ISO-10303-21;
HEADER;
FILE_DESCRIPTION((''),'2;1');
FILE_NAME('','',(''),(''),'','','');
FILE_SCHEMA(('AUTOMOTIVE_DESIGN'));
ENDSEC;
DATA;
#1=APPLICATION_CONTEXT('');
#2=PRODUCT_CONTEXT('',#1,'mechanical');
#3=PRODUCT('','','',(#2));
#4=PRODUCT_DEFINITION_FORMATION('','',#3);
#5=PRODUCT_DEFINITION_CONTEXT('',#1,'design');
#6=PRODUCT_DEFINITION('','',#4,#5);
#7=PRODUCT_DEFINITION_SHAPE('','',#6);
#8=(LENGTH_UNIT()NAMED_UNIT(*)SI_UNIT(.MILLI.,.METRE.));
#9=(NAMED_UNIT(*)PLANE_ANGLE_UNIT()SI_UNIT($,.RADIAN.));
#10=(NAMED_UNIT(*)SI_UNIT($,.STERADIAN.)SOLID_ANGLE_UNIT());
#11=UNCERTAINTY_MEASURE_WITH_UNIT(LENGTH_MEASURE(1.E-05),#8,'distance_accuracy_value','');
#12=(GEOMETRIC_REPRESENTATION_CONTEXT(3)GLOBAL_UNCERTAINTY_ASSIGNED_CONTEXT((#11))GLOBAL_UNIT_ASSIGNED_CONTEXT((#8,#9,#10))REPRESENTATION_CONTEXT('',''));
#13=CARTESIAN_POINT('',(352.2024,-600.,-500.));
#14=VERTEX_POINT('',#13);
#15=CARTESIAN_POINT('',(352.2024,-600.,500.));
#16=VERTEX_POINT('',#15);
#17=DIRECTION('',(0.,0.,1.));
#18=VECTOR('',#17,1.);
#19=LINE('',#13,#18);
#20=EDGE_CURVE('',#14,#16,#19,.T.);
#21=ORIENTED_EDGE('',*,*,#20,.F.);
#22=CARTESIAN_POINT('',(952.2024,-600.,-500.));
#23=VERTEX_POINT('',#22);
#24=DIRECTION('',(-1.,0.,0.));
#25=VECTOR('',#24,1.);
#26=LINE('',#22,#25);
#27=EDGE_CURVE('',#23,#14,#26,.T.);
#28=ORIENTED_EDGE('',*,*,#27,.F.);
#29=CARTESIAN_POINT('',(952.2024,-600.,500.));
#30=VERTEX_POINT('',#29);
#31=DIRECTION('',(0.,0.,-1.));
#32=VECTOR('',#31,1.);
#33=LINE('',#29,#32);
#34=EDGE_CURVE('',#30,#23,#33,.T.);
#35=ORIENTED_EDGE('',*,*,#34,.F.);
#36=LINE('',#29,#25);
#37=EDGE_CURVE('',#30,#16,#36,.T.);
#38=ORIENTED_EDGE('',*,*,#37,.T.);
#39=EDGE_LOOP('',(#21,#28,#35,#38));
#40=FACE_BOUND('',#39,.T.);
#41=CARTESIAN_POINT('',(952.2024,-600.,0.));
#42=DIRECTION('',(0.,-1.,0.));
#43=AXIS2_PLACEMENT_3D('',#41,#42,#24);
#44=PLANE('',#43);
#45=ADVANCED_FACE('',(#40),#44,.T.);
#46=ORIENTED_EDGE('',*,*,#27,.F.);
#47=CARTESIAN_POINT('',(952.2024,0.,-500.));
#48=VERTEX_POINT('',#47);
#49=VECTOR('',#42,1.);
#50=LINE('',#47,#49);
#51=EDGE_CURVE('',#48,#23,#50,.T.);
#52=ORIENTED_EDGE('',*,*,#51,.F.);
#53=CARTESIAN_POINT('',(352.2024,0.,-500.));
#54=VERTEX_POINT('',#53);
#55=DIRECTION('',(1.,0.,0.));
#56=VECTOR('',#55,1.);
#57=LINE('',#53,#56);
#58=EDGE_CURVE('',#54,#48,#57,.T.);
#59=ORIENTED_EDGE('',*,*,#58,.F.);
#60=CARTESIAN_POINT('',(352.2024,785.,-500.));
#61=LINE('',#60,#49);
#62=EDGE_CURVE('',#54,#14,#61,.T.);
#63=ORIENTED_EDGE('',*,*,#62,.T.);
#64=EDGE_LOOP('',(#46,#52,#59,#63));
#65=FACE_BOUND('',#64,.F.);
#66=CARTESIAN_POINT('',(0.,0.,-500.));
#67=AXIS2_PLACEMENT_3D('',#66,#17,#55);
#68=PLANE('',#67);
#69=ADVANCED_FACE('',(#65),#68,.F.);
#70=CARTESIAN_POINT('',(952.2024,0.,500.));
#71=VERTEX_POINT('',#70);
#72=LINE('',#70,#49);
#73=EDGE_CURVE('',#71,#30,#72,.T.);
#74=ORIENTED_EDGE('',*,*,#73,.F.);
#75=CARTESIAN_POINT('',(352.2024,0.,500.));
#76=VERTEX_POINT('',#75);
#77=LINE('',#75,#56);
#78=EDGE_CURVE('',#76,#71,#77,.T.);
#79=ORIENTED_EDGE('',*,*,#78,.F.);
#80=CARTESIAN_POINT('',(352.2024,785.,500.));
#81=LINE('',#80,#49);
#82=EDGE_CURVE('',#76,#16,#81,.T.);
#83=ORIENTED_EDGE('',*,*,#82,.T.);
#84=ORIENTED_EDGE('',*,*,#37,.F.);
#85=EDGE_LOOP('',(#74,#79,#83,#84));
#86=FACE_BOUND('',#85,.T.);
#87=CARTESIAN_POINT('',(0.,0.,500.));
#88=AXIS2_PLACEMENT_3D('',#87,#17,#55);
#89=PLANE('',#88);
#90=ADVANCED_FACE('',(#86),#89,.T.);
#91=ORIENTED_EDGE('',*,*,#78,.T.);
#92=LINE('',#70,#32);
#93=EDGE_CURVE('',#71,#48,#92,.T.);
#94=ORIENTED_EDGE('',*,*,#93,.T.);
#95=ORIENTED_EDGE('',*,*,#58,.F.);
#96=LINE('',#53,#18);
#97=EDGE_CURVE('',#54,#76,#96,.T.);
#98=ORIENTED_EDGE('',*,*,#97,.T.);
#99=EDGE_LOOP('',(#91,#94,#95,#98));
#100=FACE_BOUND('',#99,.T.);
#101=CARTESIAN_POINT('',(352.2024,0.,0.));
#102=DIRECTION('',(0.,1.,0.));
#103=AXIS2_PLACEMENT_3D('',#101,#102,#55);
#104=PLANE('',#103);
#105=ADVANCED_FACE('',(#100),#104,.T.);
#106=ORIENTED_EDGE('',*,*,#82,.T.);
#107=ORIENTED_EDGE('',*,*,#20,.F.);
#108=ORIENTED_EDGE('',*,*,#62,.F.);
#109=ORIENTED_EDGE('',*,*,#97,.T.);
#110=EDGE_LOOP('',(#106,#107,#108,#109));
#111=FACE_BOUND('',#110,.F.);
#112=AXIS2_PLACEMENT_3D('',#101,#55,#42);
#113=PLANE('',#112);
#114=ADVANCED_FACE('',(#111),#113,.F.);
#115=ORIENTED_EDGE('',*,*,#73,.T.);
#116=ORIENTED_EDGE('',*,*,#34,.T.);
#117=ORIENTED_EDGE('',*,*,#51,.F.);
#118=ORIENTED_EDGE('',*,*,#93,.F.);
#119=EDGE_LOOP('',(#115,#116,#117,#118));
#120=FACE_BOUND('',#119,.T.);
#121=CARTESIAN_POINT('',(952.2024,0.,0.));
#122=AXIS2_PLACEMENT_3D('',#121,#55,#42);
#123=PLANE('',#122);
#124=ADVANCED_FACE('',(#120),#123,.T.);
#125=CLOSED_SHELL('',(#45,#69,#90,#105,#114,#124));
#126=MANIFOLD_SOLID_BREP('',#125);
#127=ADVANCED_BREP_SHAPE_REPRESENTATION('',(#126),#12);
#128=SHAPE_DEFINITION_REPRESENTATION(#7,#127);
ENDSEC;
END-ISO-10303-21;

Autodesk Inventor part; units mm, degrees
ref_plane "YZ Plane" through (0, 0, 0) normal (1, 0, 0) x (0, 1, 0)
ref_plane "XZ Plane" through (0, 0, 0) normal (0, 1, 0) x (-1, 0, 0)
ref_plane "XY Plane" through (0, 0, 0) normal (0, 0, 1) x (1, 0, 0)
ref_plane "工作平面1" through (0, 0, 0) normal (0, 0, 1) x (1, 0, 0)
sketch "草圖1" plane through (0, 0, 0) normal (0, 0, 1) x (1, 0, 0)
  line L0 (-247.7976, 597.9344) -> (-247.7976, -597.9344)
  line L1 (-247.7976, -597.9344) -> (183.7246, -900)
  line L2 (183.7246, -900) -> (252.2024, -900)
  line L3 (252.2024, -900) -> (252.2024, 597.9344)
  line L4 (252.2024, 597.9344) -> (-247.7976, 597.9344)
  circle A0 centre (32.2024, 865) radius 22.5
  line L5 (212.2024, 785) -> (352.2024, 785)
  line L6 (352.2024, 785) -> (352.2024, -1000)
  line L7 (352.2024, -1000) -> (152.2024, -1000)
  line L8 (152.2024, -1000) -> (-347.7976, -650)
  line L9 (-347.7976, -650) -> (-347.7976, 650)
  line L10 (-347.7976, 650) -> (-154.9405, 785)
  line L11 (-154.9405, 785) -> (212.2024, 785)
  circle A1 centre (212.2024, 875) radius 90
  line L12 (-247.7976, 597.9344) -> (-247.7976, -597.9344)
  line L13 (-247.7976, -597.9344) -> (183.7246, -900)
  line L14 (183.7246, -900) -> (252.2024, -900)
  line L15 (252.2024, -900) -> (252.2024, 597.9344)
  line L16 (252.2024, 597.9344) -> (-247.7976, 597.9344)
  circle A2 centre (32.2024, 865) radius 22.5
  line L17 (212.2024, 785) -> (352.2024, 785)
  line L18 (352.2024, 785) -> (352.2024, -1000)
  line L19 (352.2024, -1000) -> (152.2024, -1000)
  line L20 (152.2024, -1000) -> (-347.7976, -650)
  line L21 (-347.7976, -650) -> (-347.7976, 650)
  line L22 (-347.7976, 650) -> (-154.9405, 785)
  line L23 (-154.9405, 785) -> (212.2024, 785)
  circle A3 centre (212.2024, 875) radius 90
  circle A4 centre (-197.7976, -571.9017) radius 50 projected
  circle A5 centre (-197.7976, 547.9344) radius 50 projected
  line L24 (352.2024, -1000) -> (352.2024, 1000) projected
  line L25 (-347.7976, -650) -> (-347.7976, 650) projected
  line L26 (-347.7976, 650) -> (152.2024, 1000) projected
  line L27 (152.2024, 1000) -> (352.2024, 1000) projected
  line L28 (352.2024, 0) -> (952.2024, 0)
  line L29 (952.2024, 0) -> (952.2024, -600)
  line L30 (952.2024, -600) -> (352.2024, -600)
  line L31 (352.2024, -600) -> (352.2024, 0)
  line L32 (352.2024, -1000) -> (152.2024, -1000) projected
  line L33 (152.2024, -1000) -> (-347.7976, -650) projected
  point P0 (0, 0)
  dimension "d0" = 600
  dimension "d1" = 600
extrude "擠出1" add sketch "草圖1" along normal mid plane 1000 contours L28 L29 L30 L6
properties part number "車體上做"
